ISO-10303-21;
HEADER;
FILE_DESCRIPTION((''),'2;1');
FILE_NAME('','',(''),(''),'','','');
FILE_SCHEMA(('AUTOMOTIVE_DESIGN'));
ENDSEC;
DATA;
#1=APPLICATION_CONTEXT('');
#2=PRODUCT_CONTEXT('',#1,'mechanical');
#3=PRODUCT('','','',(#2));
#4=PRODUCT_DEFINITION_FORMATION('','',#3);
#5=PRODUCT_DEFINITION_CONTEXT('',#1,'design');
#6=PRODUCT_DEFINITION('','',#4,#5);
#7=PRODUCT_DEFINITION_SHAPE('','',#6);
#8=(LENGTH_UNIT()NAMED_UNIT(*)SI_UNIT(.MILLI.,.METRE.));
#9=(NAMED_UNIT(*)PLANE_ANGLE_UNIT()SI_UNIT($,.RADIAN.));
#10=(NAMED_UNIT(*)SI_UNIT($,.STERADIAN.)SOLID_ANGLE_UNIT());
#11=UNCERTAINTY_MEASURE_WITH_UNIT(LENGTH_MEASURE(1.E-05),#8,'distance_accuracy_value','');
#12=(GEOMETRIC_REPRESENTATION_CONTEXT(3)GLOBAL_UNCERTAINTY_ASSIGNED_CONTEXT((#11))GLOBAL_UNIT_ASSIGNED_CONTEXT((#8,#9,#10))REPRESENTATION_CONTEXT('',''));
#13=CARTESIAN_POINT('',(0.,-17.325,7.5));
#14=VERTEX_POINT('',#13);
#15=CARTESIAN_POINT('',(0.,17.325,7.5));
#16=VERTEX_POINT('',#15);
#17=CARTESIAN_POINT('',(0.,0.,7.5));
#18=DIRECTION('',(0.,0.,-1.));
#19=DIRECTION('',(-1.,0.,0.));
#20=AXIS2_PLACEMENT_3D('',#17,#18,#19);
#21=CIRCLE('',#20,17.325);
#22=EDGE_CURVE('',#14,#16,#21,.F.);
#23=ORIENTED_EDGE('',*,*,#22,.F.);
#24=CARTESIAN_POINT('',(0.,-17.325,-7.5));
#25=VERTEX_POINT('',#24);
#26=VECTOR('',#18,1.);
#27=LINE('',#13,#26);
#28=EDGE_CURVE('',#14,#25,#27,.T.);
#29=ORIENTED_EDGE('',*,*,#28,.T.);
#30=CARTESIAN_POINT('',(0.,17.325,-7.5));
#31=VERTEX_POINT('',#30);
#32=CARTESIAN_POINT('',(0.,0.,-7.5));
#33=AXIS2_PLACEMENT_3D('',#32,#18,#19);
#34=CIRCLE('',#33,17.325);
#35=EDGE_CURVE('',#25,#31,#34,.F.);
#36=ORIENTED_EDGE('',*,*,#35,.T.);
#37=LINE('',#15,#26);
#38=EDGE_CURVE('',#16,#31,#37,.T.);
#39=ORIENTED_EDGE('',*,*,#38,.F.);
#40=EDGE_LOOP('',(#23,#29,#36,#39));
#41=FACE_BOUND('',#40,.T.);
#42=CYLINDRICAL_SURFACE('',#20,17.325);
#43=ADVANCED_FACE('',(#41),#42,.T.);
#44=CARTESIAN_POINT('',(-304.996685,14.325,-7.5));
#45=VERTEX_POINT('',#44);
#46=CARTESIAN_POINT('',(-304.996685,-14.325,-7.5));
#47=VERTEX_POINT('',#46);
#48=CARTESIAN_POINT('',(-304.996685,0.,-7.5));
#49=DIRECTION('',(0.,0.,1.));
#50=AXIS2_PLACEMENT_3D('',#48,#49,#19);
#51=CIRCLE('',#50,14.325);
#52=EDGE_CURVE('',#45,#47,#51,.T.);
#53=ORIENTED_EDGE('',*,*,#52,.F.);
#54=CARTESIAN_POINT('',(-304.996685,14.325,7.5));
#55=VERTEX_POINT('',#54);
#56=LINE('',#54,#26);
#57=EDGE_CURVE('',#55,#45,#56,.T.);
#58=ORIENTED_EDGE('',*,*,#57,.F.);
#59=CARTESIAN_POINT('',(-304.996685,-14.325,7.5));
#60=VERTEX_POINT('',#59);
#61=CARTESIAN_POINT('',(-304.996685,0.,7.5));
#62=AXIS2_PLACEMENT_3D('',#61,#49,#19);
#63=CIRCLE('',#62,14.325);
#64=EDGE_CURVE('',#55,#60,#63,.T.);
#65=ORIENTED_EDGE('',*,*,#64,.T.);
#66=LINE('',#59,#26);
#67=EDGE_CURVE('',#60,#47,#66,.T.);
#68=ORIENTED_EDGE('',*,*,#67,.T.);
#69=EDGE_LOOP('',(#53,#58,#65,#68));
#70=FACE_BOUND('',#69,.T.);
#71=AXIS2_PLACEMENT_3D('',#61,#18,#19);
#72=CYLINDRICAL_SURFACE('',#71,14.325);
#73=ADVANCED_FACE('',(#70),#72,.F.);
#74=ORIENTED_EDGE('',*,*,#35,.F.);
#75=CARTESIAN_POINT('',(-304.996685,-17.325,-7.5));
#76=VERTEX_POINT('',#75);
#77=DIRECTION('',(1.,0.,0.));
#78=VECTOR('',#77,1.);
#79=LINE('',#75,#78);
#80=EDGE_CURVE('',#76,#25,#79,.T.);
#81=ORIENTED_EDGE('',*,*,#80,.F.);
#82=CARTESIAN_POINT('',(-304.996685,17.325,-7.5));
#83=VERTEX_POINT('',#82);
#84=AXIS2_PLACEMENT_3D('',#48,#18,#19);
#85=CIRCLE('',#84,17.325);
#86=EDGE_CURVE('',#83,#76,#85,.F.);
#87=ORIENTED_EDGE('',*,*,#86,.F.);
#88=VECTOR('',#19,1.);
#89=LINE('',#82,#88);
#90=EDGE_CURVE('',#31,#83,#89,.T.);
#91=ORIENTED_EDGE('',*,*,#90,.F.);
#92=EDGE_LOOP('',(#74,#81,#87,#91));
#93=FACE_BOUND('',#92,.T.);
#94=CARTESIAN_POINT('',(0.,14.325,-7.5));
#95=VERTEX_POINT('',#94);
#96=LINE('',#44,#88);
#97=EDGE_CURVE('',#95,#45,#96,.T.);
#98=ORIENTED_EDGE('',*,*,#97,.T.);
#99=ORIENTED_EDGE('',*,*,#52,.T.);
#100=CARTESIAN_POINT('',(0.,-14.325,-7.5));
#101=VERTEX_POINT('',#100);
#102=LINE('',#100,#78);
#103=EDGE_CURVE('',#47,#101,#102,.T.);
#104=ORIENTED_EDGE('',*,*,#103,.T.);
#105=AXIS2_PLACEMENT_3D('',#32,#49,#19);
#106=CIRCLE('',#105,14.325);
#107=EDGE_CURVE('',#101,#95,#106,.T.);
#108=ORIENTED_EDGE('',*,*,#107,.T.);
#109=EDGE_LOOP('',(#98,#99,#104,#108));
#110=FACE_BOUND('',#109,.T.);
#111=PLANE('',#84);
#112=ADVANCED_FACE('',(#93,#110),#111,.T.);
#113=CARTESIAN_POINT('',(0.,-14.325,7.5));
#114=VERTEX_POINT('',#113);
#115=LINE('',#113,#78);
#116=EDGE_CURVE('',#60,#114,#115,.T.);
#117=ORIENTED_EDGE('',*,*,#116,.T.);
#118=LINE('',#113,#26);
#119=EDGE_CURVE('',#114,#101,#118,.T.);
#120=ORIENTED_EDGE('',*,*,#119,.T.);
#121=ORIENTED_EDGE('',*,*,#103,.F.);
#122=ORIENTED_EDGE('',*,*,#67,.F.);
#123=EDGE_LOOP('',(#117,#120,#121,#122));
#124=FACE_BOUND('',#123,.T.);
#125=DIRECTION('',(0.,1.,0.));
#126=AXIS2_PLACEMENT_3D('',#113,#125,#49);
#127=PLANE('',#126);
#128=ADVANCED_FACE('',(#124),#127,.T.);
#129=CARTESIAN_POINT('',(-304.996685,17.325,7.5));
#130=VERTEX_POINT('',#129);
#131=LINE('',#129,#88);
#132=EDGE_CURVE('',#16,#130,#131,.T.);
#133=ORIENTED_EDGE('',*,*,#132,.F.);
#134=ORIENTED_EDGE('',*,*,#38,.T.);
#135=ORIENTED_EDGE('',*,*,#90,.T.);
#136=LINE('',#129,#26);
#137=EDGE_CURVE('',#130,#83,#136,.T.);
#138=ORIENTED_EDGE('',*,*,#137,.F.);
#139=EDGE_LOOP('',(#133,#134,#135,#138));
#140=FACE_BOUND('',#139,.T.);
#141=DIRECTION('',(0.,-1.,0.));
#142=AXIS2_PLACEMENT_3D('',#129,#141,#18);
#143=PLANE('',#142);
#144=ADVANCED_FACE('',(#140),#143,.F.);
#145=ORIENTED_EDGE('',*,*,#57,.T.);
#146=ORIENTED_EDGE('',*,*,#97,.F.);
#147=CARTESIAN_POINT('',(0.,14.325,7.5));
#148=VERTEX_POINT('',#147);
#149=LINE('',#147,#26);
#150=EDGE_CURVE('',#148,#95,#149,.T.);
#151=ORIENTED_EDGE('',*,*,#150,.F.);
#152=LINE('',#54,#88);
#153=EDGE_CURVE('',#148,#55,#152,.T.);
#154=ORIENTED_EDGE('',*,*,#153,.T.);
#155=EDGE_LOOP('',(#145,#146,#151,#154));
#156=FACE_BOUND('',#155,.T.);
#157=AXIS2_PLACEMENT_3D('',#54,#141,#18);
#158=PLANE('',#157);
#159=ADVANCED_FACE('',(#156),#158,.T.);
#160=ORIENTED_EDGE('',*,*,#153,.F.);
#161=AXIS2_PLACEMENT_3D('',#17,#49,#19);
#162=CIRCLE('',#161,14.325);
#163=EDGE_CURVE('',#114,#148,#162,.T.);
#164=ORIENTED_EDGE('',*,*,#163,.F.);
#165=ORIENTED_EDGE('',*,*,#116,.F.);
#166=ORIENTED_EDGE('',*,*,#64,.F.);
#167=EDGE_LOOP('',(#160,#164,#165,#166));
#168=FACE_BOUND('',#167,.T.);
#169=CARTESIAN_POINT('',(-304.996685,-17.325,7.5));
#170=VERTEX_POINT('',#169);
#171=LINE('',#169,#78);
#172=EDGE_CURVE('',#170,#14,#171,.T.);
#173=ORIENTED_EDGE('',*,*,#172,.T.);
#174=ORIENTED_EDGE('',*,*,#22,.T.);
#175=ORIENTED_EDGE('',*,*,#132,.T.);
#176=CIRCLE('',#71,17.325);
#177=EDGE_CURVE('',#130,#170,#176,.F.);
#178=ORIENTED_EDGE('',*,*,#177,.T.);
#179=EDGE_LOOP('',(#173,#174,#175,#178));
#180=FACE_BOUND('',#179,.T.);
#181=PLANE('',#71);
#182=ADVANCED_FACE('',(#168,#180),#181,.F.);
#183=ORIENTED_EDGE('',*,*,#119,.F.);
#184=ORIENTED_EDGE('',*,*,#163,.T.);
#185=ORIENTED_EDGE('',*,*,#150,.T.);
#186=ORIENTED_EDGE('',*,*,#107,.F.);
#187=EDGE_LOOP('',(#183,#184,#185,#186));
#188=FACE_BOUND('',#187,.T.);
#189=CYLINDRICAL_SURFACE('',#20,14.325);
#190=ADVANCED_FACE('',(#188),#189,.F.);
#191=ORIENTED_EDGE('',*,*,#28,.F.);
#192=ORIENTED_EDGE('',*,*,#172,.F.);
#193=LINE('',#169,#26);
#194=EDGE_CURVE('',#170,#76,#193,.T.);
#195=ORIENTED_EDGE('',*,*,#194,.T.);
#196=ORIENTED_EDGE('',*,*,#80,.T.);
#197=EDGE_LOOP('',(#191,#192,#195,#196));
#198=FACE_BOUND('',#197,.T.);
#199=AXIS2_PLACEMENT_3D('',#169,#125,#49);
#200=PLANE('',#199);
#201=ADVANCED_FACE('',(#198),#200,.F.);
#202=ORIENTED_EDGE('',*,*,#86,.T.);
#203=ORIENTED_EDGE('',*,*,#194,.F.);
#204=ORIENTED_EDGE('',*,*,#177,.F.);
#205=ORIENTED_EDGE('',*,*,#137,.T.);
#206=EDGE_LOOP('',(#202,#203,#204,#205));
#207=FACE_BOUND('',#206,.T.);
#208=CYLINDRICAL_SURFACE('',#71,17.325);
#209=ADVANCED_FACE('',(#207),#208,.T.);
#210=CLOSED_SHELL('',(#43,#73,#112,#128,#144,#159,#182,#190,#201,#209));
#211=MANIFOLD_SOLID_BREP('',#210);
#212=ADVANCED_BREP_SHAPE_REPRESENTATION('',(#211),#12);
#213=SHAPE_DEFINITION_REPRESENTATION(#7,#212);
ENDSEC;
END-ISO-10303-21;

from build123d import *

# Parameters (mm, degrees)
EXTRUDE_THIN1_DEPTH = 7.5


with BuildPart() as part:
    # Sketch2 → Extrude-Thin1 (new, symmetric)
    with BuildSketch(Plane.XY):
        with BuildLine():
            Line((0, -17.325), (-304.996685237, -17.325))
            ThreePointArc((-304.996685237, -17.325), (-322.321685237, 0), (-304.996685237, 17.325))
            Line((-304.996685237, 17.325), (0, 17.325))
            ThreePointArc((0, 17.325), (17.325, 0), (0, -17.325))
        make_face()
        with BuildLine():
            Line((0, -14.325), (-304.996685237, -14.325))
            ThreePointArc((-304.996685237, -14.325), (-319.321685237, 0), (-304.996685237, 14.325))
            Line((-304.996685237, 14.325), (0, 14.325))
            ThreePointArc((0, 14.325), (14.325, 0), (0, -14.325))
        make_face(mode=Mode.SUBTRACT)
    extrude(amount=EXTRUDE_THIN1_DEPTH, both=True)


solid = part.part
